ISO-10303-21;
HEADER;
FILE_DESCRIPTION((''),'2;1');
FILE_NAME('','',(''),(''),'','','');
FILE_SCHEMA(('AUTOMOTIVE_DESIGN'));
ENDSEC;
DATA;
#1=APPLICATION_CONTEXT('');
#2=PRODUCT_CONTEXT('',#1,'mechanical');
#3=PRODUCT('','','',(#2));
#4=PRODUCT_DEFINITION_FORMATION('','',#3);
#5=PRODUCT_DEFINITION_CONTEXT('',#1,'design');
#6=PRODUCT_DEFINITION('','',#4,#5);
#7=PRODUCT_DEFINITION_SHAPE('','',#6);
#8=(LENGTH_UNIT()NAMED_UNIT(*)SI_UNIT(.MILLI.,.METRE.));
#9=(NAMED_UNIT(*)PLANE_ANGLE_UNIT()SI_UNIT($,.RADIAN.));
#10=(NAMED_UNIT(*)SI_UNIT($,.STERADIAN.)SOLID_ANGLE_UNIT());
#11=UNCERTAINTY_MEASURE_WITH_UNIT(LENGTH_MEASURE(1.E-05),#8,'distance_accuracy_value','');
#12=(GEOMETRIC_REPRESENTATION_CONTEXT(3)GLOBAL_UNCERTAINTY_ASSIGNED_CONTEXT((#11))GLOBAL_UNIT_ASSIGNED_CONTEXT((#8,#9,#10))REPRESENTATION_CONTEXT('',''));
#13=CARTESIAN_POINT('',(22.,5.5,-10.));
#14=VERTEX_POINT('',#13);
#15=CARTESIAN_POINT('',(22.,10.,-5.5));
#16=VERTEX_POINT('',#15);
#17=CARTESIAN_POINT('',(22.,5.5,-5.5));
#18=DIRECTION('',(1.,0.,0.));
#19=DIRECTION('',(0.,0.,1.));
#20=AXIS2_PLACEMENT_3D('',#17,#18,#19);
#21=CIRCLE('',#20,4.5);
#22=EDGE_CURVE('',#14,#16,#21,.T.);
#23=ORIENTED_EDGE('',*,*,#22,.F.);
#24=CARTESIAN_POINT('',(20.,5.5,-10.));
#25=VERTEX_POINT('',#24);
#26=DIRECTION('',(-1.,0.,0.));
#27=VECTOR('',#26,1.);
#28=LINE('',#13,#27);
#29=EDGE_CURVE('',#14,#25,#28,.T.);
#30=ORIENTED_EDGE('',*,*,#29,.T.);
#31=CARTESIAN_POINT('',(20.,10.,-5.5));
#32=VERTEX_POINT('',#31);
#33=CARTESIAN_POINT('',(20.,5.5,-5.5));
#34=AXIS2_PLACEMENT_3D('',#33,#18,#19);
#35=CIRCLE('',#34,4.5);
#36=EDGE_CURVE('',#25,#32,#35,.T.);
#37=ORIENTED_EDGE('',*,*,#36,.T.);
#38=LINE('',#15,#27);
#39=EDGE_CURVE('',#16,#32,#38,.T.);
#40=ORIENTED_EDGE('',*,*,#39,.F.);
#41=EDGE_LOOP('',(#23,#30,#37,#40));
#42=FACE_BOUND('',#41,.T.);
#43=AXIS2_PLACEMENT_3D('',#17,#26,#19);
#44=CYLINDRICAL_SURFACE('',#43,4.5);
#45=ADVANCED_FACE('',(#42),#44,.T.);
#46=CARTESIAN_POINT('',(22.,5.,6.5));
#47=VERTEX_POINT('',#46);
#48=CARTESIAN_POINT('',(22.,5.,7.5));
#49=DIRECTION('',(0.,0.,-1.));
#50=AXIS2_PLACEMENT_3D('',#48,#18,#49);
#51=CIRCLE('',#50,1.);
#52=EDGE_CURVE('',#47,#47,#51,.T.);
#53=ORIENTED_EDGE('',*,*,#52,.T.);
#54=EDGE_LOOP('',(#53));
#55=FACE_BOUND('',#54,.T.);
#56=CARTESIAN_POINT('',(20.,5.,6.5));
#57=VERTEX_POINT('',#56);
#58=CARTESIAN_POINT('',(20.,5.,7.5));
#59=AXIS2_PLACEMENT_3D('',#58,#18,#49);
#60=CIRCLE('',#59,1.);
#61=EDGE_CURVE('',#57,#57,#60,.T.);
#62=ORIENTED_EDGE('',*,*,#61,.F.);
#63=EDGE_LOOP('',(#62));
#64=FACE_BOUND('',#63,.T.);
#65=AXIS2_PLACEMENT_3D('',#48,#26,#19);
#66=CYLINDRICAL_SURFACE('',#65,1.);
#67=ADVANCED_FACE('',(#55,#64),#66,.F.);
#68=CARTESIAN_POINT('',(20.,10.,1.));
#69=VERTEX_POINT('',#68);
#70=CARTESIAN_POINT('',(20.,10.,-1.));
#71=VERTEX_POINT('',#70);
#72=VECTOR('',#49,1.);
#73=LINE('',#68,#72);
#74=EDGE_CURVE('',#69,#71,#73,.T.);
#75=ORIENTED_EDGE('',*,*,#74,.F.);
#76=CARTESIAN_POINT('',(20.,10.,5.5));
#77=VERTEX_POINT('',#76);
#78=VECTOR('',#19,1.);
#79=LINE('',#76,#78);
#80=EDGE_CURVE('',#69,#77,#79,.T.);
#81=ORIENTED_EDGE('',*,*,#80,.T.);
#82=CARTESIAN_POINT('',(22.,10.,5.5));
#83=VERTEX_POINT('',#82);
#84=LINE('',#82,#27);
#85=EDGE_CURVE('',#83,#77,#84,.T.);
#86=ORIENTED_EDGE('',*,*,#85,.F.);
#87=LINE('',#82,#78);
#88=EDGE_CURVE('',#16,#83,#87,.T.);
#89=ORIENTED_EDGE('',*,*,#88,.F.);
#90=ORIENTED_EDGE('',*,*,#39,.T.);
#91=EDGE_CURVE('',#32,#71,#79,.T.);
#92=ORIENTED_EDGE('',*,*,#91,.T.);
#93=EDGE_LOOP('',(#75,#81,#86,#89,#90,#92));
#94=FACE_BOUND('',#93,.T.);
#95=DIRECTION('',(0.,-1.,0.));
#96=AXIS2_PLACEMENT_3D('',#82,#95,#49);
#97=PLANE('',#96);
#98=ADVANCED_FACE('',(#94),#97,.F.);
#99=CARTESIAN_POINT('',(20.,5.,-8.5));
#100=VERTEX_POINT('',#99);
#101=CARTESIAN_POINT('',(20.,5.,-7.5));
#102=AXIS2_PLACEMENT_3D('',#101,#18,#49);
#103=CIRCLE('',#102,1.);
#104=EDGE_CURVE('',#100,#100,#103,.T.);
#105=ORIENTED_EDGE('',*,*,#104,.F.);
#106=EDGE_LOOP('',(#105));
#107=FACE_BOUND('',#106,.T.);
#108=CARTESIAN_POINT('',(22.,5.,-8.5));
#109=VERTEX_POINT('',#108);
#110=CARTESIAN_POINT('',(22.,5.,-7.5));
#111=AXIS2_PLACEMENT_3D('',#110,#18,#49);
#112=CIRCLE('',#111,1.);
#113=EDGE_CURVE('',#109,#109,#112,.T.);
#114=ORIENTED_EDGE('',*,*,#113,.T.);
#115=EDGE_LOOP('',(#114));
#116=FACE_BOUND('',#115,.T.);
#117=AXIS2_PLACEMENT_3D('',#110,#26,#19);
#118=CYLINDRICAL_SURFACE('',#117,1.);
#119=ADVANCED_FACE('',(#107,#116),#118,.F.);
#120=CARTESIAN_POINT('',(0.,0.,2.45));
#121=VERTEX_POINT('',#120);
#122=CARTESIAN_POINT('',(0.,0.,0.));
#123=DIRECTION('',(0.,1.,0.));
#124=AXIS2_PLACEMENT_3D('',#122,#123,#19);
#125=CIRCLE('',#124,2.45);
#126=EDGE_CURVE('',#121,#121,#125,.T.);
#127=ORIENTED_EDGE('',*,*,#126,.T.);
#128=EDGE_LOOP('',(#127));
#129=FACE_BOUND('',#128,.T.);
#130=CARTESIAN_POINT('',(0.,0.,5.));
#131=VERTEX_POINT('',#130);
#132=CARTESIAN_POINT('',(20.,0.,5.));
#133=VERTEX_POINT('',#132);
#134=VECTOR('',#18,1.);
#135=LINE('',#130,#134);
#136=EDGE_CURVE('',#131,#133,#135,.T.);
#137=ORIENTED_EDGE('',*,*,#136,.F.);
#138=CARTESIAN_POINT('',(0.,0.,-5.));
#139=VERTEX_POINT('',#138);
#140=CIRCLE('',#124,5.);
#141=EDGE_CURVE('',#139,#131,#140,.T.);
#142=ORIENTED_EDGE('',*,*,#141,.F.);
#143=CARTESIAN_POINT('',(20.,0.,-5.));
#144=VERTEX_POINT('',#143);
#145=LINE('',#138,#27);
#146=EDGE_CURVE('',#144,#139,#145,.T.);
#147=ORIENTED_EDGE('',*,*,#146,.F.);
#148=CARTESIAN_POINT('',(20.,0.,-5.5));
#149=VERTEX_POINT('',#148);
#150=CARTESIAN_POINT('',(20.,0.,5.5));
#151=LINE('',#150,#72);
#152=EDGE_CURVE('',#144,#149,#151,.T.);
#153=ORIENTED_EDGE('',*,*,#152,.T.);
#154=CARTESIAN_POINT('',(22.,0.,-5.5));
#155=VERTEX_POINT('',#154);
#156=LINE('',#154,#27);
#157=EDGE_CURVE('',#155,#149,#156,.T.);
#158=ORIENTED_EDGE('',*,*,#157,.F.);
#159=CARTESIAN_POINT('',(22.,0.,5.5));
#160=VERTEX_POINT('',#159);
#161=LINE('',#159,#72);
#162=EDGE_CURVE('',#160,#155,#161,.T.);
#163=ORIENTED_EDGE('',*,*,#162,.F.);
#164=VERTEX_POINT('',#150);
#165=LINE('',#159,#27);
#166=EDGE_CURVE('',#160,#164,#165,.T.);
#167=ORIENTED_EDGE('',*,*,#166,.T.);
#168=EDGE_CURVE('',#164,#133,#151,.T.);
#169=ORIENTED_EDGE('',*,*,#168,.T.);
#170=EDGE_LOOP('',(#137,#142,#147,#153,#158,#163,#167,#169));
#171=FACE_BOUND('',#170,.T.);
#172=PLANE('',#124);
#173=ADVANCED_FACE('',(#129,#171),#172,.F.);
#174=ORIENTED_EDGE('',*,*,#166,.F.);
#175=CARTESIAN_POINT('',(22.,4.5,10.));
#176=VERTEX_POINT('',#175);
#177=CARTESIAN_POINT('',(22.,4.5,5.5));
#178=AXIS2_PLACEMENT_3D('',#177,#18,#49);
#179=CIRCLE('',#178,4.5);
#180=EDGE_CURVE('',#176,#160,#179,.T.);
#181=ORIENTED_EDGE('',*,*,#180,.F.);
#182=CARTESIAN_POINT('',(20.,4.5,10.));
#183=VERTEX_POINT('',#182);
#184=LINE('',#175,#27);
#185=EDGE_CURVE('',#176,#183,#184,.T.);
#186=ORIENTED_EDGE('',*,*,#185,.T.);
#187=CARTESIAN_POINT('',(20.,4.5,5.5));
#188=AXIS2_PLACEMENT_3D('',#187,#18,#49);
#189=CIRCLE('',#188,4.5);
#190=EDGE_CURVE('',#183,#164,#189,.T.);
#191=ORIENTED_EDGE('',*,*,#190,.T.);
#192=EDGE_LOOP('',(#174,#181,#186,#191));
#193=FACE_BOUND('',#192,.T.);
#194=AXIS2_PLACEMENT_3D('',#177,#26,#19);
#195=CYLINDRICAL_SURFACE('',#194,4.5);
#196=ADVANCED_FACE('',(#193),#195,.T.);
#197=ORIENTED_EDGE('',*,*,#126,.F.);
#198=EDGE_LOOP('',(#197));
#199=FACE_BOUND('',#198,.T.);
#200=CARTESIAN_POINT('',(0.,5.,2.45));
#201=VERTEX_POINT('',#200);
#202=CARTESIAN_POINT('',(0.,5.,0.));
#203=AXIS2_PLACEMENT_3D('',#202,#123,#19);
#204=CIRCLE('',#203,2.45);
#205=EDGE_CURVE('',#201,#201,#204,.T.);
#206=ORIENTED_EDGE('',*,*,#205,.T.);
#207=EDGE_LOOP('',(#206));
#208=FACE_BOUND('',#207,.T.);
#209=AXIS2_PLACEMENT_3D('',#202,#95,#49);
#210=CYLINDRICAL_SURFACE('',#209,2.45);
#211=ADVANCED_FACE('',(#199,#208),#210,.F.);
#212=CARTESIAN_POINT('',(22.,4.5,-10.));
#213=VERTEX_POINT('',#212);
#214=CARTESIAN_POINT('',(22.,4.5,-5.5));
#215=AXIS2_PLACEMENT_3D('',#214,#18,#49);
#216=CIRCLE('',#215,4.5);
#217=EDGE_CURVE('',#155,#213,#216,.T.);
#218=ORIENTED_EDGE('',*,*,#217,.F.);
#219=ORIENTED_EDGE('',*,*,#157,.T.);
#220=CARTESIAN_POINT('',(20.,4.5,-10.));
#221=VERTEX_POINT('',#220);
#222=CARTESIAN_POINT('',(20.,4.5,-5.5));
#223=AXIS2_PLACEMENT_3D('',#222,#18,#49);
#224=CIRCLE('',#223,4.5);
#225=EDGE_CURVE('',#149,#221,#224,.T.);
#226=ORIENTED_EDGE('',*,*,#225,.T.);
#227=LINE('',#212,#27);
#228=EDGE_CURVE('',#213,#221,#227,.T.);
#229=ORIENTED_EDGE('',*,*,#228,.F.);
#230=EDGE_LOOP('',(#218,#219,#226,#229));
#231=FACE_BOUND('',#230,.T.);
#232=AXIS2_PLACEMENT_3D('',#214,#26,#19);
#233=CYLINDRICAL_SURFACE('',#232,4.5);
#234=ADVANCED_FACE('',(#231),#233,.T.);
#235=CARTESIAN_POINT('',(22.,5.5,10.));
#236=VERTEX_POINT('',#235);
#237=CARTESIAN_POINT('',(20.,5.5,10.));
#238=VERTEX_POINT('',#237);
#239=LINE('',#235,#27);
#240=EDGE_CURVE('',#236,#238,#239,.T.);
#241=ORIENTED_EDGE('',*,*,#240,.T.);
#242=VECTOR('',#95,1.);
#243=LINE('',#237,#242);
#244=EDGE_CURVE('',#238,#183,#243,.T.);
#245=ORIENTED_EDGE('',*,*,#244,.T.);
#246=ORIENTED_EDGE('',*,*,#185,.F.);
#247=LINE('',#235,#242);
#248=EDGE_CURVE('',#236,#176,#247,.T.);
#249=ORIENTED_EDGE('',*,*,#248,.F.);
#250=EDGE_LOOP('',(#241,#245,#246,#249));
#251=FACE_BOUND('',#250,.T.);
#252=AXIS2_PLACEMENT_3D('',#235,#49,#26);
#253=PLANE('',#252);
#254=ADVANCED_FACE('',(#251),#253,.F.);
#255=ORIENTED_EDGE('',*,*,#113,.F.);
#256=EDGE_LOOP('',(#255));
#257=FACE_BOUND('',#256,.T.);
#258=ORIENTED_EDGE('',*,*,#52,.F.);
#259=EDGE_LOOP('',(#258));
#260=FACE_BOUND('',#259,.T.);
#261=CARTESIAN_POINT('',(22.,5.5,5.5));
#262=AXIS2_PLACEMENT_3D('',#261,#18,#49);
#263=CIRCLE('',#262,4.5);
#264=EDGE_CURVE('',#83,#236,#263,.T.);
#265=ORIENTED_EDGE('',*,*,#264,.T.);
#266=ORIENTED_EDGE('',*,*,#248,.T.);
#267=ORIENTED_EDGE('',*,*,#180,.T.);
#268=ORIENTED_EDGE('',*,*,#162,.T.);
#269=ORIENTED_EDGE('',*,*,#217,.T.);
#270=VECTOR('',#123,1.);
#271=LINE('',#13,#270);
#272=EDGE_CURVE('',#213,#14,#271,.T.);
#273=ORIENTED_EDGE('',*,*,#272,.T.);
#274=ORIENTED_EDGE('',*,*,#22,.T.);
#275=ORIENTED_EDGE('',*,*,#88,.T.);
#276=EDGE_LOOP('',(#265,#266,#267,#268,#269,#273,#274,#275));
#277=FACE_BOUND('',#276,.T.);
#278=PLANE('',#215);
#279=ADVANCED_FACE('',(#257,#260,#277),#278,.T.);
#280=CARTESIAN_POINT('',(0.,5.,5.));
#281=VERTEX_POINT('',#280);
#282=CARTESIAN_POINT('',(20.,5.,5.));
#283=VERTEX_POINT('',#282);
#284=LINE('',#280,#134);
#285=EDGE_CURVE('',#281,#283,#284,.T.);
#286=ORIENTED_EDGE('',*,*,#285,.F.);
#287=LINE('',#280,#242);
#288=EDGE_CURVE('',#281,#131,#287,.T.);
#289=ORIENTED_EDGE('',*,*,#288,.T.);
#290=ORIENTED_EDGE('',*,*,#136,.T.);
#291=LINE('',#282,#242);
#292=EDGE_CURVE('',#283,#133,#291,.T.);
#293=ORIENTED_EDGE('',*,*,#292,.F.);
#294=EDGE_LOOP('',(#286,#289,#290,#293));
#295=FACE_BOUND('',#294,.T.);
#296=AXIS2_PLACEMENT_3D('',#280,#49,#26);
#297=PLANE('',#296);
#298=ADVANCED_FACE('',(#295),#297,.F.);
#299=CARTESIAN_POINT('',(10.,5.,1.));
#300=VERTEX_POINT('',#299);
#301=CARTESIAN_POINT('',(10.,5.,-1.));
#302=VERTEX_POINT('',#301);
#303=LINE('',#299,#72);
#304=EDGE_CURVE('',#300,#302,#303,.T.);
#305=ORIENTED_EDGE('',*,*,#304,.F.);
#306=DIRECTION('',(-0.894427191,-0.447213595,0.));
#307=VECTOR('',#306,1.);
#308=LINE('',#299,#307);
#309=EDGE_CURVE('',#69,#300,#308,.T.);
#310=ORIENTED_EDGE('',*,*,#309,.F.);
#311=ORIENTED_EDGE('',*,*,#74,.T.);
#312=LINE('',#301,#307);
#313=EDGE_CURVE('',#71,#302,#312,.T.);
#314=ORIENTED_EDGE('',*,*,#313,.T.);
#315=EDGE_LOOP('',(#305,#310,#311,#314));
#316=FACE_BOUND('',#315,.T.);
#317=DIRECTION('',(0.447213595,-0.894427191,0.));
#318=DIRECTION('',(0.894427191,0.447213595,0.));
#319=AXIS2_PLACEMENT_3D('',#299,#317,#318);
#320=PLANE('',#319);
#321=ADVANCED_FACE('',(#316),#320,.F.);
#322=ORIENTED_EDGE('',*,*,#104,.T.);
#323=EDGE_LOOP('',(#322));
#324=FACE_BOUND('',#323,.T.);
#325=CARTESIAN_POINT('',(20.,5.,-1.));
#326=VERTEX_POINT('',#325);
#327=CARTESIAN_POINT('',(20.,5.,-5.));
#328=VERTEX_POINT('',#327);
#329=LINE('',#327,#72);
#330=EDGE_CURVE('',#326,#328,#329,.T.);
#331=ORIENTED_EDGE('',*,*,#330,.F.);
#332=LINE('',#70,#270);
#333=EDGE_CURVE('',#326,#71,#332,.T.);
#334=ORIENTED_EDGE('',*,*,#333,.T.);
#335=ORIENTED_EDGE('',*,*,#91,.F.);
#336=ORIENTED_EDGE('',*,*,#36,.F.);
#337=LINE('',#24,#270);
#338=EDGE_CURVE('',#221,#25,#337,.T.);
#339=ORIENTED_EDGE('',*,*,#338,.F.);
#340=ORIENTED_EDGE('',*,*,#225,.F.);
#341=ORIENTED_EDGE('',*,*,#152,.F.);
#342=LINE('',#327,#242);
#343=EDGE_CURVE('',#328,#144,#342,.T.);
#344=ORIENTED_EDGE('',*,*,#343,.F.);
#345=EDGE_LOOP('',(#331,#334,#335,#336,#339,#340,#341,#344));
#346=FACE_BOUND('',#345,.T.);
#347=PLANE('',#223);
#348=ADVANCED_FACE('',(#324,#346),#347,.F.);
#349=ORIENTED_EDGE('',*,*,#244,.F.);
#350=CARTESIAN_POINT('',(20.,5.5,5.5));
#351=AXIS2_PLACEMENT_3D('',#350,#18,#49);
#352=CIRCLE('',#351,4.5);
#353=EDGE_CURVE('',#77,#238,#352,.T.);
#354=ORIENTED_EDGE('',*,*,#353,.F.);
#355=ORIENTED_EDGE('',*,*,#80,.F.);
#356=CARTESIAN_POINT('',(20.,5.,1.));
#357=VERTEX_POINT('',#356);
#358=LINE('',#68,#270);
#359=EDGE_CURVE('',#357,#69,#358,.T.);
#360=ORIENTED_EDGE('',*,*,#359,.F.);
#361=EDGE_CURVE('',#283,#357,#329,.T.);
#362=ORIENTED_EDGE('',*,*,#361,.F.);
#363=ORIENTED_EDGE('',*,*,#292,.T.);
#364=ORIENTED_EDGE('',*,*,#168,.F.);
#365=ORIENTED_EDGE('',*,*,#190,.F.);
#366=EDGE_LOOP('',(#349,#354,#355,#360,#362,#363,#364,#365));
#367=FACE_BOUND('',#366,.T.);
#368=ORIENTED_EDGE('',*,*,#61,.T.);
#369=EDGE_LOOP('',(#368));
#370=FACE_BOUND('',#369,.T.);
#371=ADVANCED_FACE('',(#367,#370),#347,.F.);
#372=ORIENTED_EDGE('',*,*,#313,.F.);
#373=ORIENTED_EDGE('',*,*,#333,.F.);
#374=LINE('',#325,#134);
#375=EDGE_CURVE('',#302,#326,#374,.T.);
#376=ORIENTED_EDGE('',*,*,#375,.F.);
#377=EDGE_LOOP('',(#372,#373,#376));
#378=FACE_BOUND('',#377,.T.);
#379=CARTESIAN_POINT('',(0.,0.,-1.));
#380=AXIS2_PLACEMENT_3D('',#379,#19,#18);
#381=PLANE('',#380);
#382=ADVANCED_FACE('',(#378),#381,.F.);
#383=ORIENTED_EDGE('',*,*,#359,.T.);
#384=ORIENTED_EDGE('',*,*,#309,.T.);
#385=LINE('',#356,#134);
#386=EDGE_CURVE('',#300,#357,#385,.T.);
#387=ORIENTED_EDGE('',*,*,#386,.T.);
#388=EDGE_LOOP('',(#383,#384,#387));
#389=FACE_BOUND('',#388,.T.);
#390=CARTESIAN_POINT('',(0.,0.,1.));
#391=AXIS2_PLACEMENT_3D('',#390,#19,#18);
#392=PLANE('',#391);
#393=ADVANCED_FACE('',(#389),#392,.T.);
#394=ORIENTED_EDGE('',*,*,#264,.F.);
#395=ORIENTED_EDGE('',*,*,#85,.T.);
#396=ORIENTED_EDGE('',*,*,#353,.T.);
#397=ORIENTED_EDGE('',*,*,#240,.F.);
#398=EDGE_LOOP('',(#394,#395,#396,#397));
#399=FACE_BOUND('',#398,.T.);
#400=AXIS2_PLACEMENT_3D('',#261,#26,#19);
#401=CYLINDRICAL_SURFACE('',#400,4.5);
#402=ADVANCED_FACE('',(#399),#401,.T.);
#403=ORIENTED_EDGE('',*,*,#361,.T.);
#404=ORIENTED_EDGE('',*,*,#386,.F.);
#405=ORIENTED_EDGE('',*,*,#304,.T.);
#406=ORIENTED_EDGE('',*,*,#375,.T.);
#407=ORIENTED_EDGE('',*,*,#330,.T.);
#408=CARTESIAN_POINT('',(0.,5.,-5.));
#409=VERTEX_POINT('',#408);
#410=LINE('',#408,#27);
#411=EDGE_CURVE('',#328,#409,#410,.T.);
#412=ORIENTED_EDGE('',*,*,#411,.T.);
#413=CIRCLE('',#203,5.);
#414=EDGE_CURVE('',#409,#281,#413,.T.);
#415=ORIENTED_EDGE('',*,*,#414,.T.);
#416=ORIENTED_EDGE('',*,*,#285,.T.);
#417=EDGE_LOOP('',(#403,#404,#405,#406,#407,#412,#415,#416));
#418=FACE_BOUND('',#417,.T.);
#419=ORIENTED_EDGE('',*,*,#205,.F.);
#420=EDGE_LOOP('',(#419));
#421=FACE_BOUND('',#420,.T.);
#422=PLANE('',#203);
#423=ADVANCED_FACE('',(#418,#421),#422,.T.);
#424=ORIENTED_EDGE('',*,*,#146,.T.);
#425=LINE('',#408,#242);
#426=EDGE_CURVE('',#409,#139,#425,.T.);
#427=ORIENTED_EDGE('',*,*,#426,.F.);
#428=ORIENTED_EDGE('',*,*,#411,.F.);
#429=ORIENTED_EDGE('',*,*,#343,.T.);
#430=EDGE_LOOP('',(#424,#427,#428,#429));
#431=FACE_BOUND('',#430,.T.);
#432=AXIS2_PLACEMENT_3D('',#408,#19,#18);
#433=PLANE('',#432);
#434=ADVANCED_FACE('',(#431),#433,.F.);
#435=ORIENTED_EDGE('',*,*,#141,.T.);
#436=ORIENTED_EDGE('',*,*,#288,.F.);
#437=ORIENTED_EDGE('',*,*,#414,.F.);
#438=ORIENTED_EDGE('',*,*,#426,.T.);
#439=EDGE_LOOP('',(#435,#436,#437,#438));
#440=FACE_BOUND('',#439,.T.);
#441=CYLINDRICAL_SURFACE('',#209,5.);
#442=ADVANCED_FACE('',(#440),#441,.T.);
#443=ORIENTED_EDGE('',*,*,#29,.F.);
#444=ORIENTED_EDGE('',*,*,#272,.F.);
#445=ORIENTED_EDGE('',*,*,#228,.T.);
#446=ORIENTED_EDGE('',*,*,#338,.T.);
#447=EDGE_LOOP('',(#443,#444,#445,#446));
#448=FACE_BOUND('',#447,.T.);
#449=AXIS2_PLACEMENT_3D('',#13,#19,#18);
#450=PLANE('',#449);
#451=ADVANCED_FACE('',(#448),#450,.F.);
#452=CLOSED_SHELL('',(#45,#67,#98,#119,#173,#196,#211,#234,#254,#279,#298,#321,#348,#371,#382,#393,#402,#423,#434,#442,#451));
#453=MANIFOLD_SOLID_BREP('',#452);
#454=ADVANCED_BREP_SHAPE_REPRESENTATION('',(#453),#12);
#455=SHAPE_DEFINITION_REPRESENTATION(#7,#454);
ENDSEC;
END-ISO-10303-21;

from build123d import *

# Parameters (mm, degrees)
SKETCH1_R           = 2.45
BOSS_EXTRUDE1_DEPTH = 5
SKETCH2_R           = 1
BOSS_EXTRUDE2_DEPTH = 2
BOSS_EXTRUDE3_DEPTH = 1


with BuildPart() as part:
    # Sketch1 → Boss-Extrude1 (new body)
    with BuildSketch(Plane(origin=(0, 0, 0), x_dir=(1, 0, 0), z_dir=(0, 1, 0))):
        with BuildLine():
            Line((0, 5), (20, 5))
            Line((20, 5), (20, -5))
            Line((20, -5), (0, -5))
            ThreePointArc((0, -5), (-5, 0), (0, 5))
        make_face()
        Circle(SKETCH1_R, mode=Mode.SUBTRACT)
    extrude(amount=BOSS_EXTRUDE1_DEPTH)

    # Sketch2 → Boss-Extrude2 (add)
    with BuildSketch(Plane(origin=(20, 0, 0), x_dir=(0, 0, -1), z_dir=(1, 0, 0))):
        with BuildLine():
            Line((-5.5, 10), (5.5, 10))
            ThreePointArc((5.5, 10), (8.681980515, 8.681980515), (10, 5.5))
            Line((10, 5.5), (10, 4.5))
            ThreePointArc((10, 4.5), (8.681980515, 1.318019485), (5.5, 0))
            Line((5.5, 0), (-5.5, 0))
            ThreePointArc((-5.5, 0), (-8.681980515, 1.318019485), (-10, 4.5))
            Line((-10, 4.5), (-10, 5.5))
            ThreePointArc((-10, 5.5), (-8.681980515, 8.681980515), (-5.5, 10))
        make_face()
        with Locations((-7.5, 5)):
            Circle(SKETCH2_R, mode=Mode.SUBTRACT)
        with Locations((7.5, 5)):
            Circle(SKETCH2_R, mode=Mode.SUBTRACT)
    extrude(amount=BOSS_EXTRUDE2_DEPTH)

    # Sketch3 → Boss-Extrude3 (add, symmetric)
    with BuildSketch(Plane.XY):
        Polygon((10, 5), (20, 10), (20, 5), align=None)
    extrude(amount=BOSS_EXTRUDE3_DEPTH, both=True)


solid = part.part
